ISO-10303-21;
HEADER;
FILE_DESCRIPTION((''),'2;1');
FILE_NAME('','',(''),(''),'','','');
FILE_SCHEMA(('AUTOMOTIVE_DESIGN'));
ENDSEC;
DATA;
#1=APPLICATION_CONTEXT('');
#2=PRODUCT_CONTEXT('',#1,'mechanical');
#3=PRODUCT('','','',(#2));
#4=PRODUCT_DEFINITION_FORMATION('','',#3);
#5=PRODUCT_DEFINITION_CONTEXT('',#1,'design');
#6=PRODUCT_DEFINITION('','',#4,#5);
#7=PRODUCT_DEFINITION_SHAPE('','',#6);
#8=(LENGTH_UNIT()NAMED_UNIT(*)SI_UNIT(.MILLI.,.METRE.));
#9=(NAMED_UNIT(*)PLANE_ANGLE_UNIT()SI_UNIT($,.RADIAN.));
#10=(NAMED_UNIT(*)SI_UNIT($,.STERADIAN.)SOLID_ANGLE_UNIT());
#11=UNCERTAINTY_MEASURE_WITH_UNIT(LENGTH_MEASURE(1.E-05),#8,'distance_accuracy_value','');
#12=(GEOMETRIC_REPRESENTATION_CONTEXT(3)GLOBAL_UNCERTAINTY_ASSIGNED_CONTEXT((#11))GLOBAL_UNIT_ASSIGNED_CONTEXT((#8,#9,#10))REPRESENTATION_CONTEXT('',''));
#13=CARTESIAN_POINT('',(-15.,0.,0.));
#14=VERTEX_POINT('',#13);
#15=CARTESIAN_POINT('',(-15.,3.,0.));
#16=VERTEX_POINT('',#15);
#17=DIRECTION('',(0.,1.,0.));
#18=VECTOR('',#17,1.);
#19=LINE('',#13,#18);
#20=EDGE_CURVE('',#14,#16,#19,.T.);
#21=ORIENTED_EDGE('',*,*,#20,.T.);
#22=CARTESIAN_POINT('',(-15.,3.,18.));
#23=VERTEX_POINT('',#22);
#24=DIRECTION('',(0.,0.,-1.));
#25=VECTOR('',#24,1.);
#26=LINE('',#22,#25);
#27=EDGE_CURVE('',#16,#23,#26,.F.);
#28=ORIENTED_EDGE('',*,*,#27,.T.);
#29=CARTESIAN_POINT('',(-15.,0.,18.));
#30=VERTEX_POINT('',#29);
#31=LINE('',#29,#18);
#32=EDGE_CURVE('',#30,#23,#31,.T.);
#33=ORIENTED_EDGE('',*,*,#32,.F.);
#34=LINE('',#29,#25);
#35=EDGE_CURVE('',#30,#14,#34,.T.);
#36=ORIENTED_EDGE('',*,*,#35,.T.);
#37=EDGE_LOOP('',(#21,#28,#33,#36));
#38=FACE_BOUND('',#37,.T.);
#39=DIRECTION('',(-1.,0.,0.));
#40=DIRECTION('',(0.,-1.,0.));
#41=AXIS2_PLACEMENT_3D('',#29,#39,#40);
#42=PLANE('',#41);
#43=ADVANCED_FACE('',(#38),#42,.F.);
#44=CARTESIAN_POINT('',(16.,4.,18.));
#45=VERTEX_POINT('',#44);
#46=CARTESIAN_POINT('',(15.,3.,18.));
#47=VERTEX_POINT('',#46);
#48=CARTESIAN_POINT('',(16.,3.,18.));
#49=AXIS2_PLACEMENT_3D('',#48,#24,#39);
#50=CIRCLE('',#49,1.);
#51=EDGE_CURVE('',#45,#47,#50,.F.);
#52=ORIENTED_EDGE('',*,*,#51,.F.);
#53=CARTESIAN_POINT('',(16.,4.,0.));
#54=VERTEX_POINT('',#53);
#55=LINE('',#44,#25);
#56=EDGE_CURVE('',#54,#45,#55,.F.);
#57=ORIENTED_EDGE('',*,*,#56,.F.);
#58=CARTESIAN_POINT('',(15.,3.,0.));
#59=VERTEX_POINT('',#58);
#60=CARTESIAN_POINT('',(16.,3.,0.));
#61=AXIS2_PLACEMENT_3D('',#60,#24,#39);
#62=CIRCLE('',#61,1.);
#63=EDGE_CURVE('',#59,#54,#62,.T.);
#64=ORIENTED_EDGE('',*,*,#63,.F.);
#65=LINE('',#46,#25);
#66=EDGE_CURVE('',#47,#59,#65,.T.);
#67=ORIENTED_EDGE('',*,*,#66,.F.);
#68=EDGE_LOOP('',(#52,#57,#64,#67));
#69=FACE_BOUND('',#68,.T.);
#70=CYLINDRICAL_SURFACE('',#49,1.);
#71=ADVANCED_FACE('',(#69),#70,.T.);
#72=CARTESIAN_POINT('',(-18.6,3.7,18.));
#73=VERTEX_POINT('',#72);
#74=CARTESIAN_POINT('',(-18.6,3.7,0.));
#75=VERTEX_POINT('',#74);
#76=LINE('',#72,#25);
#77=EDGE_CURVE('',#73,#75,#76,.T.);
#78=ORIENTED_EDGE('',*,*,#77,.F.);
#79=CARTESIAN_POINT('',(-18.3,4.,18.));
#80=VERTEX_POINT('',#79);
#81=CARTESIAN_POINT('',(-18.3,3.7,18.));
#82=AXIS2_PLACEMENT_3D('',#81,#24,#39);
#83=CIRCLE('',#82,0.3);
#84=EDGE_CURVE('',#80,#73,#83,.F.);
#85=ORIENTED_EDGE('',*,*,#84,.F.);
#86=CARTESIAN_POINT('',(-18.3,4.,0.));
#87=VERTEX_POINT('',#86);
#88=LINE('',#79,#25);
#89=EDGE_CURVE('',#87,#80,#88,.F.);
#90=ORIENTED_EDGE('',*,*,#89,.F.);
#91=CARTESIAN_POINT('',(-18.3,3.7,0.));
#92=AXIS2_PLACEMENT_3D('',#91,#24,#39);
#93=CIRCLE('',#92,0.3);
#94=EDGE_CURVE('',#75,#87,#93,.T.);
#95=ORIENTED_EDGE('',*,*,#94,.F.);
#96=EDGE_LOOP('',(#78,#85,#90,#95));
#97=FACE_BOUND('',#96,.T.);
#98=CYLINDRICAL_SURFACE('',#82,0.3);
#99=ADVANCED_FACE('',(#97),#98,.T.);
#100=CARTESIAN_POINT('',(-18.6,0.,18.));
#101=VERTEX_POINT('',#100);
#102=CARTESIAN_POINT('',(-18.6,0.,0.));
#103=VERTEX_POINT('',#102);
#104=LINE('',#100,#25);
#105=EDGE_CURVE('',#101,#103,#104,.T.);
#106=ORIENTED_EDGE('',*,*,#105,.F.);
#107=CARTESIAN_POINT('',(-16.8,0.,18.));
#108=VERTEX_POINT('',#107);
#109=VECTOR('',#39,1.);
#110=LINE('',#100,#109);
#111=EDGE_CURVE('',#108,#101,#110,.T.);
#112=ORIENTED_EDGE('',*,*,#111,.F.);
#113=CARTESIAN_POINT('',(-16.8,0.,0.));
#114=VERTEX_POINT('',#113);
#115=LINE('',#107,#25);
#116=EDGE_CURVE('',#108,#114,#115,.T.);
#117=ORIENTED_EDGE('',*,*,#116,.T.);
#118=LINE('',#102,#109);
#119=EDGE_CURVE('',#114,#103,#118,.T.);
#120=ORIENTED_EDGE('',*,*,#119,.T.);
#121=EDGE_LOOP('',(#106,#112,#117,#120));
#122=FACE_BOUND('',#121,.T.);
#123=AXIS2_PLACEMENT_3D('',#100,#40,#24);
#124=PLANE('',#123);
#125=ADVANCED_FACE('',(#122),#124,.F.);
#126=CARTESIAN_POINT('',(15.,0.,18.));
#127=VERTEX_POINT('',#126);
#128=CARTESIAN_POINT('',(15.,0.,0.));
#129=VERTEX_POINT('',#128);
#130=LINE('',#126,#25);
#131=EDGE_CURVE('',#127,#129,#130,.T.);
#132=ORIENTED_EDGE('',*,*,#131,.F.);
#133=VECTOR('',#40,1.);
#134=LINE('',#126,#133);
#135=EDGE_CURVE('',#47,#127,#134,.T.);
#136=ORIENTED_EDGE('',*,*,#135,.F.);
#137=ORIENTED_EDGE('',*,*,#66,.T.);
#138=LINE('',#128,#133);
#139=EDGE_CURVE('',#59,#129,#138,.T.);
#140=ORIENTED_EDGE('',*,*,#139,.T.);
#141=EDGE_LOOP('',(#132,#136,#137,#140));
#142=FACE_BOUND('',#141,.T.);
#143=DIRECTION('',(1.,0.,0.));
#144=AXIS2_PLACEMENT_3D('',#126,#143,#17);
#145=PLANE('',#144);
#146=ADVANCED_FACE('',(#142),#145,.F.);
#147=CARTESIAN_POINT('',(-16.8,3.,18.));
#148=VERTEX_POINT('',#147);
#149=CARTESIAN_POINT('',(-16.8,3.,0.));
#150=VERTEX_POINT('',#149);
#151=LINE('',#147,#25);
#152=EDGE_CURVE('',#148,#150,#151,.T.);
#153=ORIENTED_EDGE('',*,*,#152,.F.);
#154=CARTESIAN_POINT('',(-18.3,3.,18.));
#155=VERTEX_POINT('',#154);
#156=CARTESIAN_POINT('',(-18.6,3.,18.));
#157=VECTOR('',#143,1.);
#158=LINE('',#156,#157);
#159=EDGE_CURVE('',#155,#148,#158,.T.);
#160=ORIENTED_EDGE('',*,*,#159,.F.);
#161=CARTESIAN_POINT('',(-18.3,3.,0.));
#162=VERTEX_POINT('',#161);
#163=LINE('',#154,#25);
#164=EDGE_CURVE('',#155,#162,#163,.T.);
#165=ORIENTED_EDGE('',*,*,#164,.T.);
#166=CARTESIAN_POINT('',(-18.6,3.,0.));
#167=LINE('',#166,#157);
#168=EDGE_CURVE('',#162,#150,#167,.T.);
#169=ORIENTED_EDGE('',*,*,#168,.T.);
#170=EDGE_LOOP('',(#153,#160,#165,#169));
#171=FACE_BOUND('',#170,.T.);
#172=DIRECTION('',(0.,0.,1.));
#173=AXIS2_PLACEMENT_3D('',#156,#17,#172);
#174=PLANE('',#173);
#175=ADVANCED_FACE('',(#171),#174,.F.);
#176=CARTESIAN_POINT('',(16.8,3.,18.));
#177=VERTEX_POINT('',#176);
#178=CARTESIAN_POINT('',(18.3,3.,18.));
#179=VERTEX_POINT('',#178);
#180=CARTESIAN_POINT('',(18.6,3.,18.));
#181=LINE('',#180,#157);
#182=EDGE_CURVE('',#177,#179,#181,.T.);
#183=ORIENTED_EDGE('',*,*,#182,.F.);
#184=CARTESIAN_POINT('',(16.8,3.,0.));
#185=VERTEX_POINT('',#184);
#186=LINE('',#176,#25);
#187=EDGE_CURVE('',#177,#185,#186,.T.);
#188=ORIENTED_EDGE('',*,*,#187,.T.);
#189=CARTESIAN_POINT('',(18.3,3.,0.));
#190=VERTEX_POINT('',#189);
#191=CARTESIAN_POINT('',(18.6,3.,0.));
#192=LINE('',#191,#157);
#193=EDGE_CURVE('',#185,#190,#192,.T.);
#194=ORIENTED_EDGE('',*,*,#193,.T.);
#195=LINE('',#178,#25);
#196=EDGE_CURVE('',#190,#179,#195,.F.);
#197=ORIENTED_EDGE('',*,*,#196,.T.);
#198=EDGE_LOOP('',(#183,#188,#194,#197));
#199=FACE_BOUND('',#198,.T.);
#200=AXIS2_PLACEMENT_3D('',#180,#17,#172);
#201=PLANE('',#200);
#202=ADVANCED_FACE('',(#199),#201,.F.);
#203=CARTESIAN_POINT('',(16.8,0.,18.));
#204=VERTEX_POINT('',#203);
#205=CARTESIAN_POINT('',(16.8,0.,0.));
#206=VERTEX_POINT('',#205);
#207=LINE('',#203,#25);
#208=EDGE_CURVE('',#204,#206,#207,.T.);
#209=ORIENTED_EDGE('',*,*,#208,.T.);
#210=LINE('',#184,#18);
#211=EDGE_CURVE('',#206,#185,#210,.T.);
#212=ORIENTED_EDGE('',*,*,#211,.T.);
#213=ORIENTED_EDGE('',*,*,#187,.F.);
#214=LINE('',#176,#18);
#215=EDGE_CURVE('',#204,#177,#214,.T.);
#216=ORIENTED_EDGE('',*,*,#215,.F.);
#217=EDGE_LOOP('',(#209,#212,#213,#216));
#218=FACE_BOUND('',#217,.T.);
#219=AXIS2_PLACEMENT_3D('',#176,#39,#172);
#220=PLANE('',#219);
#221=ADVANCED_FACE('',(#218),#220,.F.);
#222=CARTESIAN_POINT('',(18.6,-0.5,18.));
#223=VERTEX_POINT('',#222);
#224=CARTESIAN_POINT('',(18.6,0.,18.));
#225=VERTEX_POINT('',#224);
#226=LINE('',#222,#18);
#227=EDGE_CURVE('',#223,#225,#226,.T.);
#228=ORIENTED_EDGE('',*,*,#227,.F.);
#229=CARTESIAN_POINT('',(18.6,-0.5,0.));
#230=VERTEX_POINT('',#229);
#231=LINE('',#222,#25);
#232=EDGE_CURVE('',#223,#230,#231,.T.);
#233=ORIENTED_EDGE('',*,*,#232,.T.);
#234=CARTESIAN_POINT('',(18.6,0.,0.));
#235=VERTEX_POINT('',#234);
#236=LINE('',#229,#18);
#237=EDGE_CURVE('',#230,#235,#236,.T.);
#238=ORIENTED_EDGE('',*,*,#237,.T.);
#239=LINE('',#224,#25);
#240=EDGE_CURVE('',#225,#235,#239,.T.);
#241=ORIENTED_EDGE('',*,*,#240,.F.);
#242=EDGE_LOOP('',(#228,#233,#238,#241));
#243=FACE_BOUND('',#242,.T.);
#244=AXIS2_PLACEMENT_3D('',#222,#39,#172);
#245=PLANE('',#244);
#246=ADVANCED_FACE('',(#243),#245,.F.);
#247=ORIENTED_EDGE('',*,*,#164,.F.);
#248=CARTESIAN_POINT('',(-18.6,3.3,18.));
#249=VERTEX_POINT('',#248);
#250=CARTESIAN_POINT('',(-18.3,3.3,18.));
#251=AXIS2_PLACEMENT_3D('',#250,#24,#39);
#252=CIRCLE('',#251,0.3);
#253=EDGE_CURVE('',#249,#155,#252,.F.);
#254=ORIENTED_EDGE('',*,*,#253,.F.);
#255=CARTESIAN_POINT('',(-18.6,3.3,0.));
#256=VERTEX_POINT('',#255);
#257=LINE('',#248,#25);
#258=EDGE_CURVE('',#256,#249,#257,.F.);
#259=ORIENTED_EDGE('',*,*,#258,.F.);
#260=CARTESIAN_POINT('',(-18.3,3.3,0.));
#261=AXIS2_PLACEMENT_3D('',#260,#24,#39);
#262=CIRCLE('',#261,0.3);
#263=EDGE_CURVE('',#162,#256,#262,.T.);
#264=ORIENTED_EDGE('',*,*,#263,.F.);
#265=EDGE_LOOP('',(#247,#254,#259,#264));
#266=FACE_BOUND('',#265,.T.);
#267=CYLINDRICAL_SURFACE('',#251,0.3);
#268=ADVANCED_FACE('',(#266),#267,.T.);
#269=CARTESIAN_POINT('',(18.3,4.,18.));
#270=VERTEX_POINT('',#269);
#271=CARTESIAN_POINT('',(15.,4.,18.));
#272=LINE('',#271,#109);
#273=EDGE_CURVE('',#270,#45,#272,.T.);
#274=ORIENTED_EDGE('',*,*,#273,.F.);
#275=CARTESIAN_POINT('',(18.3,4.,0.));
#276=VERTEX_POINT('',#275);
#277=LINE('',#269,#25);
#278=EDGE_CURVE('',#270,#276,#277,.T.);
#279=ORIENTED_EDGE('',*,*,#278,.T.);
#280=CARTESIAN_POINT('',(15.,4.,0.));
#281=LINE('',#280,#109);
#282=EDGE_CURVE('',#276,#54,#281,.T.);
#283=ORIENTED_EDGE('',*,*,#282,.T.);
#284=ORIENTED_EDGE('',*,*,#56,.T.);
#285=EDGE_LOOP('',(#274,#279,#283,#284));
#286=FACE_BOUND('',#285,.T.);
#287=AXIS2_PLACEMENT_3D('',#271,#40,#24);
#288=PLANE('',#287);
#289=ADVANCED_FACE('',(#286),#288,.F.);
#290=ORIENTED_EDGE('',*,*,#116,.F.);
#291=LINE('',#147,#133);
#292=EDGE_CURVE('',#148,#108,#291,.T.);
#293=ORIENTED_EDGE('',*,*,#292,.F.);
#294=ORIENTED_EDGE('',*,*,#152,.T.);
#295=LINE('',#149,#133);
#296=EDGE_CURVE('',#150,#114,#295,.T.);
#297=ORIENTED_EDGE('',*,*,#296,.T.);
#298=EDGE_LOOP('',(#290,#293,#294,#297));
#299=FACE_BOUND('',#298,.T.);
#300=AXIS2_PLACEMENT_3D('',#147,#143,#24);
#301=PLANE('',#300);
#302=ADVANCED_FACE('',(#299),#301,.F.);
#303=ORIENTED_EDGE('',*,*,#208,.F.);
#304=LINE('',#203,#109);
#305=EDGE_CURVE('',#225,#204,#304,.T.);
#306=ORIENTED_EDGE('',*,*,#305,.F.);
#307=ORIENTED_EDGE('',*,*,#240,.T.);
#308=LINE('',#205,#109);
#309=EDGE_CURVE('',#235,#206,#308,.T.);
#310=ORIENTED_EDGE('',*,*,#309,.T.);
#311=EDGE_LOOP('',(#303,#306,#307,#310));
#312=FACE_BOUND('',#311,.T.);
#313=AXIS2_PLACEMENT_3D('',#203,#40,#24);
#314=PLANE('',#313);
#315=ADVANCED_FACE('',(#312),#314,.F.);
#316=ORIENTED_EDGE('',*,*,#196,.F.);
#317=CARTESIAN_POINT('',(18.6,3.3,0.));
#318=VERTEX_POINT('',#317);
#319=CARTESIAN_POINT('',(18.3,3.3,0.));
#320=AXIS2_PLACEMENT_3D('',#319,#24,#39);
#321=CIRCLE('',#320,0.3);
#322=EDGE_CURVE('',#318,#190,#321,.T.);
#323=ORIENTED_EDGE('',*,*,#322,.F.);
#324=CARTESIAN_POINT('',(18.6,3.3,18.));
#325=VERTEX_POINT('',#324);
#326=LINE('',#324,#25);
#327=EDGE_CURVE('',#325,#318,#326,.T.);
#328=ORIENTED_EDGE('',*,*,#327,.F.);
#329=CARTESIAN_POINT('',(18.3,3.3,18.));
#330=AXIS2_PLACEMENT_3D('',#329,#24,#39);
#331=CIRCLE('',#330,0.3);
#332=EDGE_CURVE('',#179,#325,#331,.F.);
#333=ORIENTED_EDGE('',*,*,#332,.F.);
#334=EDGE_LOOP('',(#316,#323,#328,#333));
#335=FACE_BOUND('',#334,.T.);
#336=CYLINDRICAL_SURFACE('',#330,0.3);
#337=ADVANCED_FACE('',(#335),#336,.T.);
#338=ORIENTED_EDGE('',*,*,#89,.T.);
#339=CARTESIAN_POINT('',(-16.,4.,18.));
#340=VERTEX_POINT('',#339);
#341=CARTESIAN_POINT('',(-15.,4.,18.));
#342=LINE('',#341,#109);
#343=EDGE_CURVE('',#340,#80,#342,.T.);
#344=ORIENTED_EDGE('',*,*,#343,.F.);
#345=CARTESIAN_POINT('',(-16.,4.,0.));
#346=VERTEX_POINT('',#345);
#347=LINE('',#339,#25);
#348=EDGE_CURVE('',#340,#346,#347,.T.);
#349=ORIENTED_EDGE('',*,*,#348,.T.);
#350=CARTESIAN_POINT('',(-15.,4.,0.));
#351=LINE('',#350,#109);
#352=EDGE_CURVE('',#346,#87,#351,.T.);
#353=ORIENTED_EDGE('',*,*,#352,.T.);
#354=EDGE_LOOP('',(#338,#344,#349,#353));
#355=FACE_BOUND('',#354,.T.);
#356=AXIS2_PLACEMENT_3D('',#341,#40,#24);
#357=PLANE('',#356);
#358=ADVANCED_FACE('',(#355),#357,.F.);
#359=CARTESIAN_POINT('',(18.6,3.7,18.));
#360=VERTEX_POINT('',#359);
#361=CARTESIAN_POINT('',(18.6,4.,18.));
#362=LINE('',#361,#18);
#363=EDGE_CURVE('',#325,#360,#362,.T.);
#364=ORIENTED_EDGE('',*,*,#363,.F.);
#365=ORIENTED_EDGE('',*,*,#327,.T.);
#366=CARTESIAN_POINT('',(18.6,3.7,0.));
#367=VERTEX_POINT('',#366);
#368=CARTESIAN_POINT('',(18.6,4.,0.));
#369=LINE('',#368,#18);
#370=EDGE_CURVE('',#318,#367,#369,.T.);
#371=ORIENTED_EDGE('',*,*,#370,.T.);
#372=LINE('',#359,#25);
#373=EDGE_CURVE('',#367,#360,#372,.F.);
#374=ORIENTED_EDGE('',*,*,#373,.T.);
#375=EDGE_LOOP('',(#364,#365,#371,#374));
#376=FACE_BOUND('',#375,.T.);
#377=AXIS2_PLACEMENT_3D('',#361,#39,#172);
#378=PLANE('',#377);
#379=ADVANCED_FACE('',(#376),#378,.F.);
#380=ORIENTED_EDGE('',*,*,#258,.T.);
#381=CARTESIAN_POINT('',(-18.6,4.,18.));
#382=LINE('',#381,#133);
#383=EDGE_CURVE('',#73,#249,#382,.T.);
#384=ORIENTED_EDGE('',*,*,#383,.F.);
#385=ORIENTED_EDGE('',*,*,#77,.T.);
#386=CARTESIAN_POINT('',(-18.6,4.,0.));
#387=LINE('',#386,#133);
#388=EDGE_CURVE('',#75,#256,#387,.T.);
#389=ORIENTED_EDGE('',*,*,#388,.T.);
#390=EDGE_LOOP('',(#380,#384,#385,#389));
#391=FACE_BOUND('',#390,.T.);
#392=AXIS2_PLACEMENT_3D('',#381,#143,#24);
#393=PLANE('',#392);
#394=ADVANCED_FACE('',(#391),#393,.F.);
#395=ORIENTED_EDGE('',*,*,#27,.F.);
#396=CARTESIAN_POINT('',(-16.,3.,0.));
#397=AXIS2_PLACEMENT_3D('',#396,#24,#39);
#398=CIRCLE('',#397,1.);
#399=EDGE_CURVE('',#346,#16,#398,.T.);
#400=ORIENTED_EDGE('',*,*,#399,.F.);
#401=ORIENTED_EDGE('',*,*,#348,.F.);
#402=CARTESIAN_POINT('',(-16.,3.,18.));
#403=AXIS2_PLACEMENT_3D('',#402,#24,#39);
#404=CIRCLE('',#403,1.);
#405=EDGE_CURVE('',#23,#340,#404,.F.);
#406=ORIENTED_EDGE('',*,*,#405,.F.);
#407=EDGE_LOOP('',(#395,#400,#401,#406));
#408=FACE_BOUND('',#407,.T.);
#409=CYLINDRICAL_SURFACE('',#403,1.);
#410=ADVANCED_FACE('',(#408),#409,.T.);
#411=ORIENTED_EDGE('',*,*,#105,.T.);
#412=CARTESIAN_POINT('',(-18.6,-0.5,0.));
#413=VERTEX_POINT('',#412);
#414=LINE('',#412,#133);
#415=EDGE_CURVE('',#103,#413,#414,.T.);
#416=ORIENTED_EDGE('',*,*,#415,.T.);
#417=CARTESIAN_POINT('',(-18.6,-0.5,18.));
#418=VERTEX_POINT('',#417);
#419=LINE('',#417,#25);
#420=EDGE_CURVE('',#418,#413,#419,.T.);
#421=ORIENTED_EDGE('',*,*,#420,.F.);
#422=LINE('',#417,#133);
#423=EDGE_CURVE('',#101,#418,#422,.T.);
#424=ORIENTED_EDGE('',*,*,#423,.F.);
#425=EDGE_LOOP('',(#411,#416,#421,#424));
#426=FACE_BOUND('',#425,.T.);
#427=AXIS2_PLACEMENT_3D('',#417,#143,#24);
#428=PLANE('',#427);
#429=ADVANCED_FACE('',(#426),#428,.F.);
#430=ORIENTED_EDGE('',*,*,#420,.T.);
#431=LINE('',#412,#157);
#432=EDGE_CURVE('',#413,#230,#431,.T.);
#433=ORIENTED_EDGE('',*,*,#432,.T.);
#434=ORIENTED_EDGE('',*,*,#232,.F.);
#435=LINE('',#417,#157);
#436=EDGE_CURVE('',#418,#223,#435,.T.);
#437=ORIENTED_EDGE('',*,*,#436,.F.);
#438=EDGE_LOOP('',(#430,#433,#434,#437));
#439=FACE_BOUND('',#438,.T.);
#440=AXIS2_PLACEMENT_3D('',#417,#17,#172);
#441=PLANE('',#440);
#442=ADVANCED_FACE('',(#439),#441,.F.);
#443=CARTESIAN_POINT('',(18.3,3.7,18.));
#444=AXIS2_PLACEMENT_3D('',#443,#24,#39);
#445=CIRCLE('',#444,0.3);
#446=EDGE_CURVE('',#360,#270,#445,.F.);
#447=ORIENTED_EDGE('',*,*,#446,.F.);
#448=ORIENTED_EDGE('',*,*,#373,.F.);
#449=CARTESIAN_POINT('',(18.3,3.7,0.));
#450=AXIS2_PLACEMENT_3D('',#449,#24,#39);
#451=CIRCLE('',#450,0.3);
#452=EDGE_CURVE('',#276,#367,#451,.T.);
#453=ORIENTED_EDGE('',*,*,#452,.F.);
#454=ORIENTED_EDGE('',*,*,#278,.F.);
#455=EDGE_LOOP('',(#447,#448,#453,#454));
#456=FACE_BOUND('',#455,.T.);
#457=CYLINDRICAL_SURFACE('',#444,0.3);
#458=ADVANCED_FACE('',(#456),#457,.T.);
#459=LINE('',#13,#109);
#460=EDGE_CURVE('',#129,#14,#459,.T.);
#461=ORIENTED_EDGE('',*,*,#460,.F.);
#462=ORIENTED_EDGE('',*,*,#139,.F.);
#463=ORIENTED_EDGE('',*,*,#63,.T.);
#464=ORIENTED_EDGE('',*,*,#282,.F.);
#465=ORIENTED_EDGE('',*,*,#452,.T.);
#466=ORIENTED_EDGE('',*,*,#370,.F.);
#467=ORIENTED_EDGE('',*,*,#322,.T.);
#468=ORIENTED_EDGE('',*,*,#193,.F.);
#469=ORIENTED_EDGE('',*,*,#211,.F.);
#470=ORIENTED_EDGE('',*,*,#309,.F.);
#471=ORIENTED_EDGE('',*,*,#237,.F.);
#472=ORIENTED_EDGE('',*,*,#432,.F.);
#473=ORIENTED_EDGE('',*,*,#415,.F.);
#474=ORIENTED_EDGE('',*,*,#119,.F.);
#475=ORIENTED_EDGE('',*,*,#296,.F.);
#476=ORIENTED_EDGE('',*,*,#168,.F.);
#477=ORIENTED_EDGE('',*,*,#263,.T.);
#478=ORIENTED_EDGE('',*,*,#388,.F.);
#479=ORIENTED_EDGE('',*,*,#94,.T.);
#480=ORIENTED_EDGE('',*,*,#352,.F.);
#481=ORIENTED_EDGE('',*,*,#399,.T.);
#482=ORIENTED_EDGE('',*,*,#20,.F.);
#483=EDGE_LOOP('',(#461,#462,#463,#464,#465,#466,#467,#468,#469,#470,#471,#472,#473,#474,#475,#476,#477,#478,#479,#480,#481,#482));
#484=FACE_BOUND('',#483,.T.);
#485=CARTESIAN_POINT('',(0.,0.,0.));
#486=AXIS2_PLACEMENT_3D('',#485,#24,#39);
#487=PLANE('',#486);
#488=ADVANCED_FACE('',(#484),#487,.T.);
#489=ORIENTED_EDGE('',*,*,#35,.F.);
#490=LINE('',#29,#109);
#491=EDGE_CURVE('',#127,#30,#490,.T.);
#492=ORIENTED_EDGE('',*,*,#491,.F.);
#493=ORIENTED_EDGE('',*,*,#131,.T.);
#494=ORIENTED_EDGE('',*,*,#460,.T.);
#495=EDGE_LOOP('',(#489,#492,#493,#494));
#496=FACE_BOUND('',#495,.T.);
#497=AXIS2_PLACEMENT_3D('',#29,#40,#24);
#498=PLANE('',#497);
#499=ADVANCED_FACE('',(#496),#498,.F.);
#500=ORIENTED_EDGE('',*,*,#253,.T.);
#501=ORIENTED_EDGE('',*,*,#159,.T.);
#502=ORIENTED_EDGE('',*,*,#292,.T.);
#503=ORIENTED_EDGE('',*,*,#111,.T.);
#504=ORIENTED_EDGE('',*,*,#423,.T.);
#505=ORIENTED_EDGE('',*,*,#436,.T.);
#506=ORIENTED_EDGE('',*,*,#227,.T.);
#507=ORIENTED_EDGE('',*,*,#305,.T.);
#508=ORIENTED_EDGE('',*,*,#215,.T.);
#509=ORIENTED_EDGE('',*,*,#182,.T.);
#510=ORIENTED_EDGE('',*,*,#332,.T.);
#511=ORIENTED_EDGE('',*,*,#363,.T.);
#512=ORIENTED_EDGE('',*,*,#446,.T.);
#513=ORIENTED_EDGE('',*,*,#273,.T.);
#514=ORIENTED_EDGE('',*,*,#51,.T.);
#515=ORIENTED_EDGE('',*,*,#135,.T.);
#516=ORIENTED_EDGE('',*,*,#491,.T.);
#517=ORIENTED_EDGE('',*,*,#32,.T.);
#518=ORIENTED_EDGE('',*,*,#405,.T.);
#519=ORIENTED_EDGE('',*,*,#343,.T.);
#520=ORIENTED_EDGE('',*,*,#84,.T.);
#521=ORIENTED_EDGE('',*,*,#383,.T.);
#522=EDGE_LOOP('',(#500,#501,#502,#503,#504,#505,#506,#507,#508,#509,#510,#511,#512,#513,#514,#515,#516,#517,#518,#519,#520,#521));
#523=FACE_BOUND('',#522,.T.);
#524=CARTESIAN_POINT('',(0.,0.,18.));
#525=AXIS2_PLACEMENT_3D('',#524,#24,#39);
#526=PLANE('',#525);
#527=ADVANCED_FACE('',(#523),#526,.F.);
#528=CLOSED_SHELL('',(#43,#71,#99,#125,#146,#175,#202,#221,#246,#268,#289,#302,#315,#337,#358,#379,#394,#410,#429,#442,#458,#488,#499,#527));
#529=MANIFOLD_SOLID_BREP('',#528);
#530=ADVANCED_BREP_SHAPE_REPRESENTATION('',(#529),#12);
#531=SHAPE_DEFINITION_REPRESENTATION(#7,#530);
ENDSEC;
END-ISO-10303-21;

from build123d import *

# Parameters (mm, degrees)
BOSS_EXTRUDE1_DEPTH = 18
FILLET1_R           = 1
FILLET2_R           = 0.3


with BuildPart() as part:
    # Sketch1 → Boss-Extrude1 (new body)
    with BuildSketch(Plane.XY):
        Polygon((-15, 0), (-15, 4), (-18.6, 4), (-18.6, 3), (-16.8, 3), (-16.8, 0), (-18.6, 0), (-18.6, -0.5), (18.6, -0.5), (18.6, 0), (16.8, 0), (16.8, 3), (18.6, 3), (18.6, 4), (15, 4), (15, 0), align=None)
    extrude(amount=BOSS_EXTRUDE1_DEPTH)

    # Fillet1
    fillet1_edges = [part.edges().sort_by_distance(p)[0] for p in [
        (-15, 4, 9),
        (15, 4, 9),
    ]]
    fillet(fillet1_edges, radius=FILLET1_R)

    # Fillet2
    fillet2_edges = [part.edges().sort_by_distance(p)[0] for p in [
        (-18.6, 3, 9),
        (-18.6, 4, 9),
        (18.6, 4, 9),
        (18.6, 3, 9),
    ]]
    fillet(fillet2_edges, radius=FILLET2_R)


solid = part.part
